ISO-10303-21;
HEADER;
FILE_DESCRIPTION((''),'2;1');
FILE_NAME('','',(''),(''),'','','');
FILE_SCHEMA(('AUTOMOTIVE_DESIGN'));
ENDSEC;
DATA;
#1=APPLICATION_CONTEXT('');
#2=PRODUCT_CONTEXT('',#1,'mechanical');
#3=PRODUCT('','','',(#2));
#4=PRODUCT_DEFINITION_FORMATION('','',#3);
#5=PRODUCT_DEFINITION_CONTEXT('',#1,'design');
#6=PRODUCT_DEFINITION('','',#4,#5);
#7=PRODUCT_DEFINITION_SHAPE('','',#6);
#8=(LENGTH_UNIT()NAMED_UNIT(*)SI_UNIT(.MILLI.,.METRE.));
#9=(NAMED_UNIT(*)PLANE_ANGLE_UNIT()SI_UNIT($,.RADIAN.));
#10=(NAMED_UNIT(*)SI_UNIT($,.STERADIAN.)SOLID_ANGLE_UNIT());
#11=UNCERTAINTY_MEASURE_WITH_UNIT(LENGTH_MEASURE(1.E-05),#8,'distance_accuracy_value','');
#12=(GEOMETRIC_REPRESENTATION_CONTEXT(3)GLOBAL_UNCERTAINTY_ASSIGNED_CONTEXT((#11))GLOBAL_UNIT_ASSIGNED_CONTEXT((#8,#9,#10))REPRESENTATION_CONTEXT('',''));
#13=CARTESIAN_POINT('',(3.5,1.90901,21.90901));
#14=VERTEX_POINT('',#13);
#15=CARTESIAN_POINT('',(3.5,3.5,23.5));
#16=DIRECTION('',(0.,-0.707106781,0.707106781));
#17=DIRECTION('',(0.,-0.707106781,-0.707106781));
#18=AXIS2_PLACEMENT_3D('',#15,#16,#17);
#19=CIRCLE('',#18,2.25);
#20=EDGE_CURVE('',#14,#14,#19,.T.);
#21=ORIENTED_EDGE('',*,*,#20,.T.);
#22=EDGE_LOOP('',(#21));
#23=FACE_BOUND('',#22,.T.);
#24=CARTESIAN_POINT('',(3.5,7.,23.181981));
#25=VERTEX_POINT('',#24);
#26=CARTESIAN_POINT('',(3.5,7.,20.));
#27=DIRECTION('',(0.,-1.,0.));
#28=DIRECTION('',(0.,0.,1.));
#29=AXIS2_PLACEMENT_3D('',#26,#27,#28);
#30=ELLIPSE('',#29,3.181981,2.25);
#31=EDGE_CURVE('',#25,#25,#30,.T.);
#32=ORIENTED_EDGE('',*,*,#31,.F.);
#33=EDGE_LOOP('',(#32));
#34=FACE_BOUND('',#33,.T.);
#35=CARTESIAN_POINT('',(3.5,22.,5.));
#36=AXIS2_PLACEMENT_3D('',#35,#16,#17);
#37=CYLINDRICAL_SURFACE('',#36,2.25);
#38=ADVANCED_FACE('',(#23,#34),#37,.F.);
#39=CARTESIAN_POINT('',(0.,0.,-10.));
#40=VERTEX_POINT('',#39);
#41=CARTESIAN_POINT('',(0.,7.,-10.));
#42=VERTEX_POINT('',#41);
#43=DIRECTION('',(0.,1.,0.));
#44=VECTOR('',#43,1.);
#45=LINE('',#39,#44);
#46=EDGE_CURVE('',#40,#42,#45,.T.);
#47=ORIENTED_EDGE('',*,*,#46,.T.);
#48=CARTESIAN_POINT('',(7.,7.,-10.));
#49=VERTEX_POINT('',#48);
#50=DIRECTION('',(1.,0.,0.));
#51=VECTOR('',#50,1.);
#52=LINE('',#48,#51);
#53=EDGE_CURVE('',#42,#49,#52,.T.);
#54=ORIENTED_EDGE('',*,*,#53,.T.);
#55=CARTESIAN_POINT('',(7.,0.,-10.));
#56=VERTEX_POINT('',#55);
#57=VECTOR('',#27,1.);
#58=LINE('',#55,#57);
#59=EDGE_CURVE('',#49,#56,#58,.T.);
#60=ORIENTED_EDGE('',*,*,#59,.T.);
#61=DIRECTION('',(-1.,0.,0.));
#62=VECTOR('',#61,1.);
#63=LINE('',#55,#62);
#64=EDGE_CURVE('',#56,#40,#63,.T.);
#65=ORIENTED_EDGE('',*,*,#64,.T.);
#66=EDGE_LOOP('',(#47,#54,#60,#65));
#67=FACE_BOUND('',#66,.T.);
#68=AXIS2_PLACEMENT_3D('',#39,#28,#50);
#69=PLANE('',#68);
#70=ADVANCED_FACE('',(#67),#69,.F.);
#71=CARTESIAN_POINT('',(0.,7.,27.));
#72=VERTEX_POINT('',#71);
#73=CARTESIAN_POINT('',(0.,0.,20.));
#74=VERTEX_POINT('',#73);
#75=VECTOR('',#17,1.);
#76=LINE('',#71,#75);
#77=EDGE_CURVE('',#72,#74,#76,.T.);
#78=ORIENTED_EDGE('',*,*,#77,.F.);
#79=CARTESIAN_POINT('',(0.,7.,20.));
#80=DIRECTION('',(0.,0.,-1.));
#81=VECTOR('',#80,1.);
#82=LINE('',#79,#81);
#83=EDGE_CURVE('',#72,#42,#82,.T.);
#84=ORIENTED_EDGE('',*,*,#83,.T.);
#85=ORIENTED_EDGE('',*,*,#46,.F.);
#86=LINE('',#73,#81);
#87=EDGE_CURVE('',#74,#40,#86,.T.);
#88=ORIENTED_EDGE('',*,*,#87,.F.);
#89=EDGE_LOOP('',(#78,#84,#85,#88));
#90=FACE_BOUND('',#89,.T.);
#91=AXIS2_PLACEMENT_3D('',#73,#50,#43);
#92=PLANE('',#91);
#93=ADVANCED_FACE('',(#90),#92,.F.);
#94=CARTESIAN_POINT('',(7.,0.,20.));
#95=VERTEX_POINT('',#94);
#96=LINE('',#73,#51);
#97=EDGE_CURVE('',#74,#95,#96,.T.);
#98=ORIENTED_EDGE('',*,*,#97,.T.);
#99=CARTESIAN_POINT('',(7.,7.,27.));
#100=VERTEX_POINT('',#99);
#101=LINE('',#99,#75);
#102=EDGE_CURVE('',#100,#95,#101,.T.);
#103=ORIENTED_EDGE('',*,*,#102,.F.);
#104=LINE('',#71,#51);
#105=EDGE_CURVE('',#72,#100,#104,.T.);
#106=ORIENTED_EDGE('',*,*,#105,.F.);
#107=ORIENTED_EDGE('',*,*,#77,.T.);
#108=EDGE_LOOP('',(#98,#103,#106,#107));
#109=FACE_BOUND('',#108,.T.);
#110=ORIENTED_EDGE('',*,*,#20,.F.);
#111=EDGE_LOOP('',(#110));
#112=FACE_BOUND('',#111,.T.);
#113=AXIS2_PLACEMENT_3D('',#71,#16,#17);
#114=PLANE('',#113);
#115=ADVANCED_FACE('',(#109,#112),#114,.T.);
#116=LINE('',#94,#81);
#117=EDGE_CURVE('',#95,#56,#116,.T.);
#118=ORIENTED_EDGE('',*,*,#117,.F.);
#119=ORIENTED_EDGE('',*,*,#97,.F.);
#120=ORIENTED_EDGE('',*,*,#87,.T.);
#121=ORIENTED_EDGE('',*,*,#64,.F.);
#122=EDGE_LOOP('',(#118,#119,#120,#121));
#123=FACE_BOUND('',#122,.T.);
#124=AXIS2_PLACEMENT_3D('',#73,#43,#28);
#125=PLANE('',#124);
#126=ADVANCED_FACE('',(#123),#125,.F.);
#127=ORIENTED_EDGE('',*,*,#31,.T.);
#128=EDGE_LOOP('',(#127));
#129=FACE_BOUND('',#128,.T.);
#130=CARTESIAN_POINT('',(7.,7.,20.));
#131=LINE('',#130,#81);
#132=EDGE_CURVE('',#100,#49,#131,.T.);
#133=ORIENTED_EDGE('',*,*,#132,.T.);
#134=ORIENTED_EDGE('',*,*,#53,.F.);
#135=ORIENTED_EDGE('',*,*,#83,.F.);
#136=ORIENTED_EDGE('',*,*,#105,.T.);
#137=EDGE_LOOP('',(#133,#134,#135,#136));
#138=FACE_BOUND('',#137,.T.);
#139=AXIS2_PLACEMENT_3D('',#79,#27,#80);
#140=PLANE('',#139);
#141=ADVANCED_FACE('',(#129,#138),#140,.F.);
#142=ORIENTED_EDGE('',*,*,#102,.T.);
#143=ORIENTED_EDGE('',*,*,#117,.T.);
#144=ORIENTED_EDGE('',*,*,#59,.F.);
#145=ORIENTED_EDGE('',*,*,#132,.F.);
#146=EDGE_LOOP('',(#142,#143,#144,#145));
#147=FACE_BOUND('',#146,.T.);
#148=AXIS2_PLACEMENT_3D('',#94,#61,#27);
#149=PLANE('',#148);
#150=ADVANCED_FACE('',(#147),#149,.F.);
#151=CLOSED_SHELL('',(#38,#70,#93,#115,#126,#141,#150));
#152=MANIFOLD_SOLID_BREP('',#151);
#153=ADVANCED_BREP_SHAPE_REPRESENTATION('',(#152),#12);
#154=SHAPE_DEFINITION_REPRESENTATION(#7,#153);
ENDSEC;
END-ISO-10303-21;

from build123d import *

# Parameters (mm, degrees)
SKETCH1_W           = 7
SKETCH1_H           = 7
BOSS_EXTRUDE1_DEPTH = 20
BOSS_EXTRUDE2_DEPTH = 7
SKETCH5_W           = 7
SKETCH5_H           = 7
BOSS_EXTRUDE4_DEPTH = 10
SKETCH4_R           = 2.25
CUT_EXTRUDE1_DEPTH  = 27.162950904


with BuildPart() as part:
    # Sketch1 → Boss-Extrude1 (new body)
    with BuildSketch(Plane.XY):
        with Locations((3.5, 3.5)):
            Rectangle(SKETCH1_W, SKETCH1_H)
    extrude(amount=BOSS_EXTRUDE1_DEPTH)

    # Sketch3 → Boss-Extrude2 (add)
    with BuildSketch(Plane(origin=(7, 0, 0), x_dir=(0, 0, -1), z_dir=(1, 0, 0))):
        Polygon((-20, 7), (-27, 7), (-20, 0), align=None)
    extrude(amount=-BOSS_EXTRUDE2_DEPTH)

    # Sketch5 → Boss-Extrude4 (add)
    with BuildSketch(Plane(origin=(0, 0, 0), x_dir=(-1, 0, 0), z_dir=(0, 0, -1))):
        with Locations((-3.5, 3.5)):
            Rectangle(SKETCH5_W, SKETCH5_H)
    extrude(amount=BOSS_EXTRUDE4_DEPTH)

    # Sketch4 → Cut-Extrude1 (cut, through all)
    with BuildSketch(Plane(origin=(0, -10, 10), x_dir=(1, 0, 0), z_dir=(0, -0.707106781, 0.707106781))):
        with Locations((3.5, 19.091883092)):
            Circle(SKETCH4_R)
    extrude(amount=-CUT_EXTRUDE1_DEPTH, mode=Mode.SUBTRACT)


solid = part.part
